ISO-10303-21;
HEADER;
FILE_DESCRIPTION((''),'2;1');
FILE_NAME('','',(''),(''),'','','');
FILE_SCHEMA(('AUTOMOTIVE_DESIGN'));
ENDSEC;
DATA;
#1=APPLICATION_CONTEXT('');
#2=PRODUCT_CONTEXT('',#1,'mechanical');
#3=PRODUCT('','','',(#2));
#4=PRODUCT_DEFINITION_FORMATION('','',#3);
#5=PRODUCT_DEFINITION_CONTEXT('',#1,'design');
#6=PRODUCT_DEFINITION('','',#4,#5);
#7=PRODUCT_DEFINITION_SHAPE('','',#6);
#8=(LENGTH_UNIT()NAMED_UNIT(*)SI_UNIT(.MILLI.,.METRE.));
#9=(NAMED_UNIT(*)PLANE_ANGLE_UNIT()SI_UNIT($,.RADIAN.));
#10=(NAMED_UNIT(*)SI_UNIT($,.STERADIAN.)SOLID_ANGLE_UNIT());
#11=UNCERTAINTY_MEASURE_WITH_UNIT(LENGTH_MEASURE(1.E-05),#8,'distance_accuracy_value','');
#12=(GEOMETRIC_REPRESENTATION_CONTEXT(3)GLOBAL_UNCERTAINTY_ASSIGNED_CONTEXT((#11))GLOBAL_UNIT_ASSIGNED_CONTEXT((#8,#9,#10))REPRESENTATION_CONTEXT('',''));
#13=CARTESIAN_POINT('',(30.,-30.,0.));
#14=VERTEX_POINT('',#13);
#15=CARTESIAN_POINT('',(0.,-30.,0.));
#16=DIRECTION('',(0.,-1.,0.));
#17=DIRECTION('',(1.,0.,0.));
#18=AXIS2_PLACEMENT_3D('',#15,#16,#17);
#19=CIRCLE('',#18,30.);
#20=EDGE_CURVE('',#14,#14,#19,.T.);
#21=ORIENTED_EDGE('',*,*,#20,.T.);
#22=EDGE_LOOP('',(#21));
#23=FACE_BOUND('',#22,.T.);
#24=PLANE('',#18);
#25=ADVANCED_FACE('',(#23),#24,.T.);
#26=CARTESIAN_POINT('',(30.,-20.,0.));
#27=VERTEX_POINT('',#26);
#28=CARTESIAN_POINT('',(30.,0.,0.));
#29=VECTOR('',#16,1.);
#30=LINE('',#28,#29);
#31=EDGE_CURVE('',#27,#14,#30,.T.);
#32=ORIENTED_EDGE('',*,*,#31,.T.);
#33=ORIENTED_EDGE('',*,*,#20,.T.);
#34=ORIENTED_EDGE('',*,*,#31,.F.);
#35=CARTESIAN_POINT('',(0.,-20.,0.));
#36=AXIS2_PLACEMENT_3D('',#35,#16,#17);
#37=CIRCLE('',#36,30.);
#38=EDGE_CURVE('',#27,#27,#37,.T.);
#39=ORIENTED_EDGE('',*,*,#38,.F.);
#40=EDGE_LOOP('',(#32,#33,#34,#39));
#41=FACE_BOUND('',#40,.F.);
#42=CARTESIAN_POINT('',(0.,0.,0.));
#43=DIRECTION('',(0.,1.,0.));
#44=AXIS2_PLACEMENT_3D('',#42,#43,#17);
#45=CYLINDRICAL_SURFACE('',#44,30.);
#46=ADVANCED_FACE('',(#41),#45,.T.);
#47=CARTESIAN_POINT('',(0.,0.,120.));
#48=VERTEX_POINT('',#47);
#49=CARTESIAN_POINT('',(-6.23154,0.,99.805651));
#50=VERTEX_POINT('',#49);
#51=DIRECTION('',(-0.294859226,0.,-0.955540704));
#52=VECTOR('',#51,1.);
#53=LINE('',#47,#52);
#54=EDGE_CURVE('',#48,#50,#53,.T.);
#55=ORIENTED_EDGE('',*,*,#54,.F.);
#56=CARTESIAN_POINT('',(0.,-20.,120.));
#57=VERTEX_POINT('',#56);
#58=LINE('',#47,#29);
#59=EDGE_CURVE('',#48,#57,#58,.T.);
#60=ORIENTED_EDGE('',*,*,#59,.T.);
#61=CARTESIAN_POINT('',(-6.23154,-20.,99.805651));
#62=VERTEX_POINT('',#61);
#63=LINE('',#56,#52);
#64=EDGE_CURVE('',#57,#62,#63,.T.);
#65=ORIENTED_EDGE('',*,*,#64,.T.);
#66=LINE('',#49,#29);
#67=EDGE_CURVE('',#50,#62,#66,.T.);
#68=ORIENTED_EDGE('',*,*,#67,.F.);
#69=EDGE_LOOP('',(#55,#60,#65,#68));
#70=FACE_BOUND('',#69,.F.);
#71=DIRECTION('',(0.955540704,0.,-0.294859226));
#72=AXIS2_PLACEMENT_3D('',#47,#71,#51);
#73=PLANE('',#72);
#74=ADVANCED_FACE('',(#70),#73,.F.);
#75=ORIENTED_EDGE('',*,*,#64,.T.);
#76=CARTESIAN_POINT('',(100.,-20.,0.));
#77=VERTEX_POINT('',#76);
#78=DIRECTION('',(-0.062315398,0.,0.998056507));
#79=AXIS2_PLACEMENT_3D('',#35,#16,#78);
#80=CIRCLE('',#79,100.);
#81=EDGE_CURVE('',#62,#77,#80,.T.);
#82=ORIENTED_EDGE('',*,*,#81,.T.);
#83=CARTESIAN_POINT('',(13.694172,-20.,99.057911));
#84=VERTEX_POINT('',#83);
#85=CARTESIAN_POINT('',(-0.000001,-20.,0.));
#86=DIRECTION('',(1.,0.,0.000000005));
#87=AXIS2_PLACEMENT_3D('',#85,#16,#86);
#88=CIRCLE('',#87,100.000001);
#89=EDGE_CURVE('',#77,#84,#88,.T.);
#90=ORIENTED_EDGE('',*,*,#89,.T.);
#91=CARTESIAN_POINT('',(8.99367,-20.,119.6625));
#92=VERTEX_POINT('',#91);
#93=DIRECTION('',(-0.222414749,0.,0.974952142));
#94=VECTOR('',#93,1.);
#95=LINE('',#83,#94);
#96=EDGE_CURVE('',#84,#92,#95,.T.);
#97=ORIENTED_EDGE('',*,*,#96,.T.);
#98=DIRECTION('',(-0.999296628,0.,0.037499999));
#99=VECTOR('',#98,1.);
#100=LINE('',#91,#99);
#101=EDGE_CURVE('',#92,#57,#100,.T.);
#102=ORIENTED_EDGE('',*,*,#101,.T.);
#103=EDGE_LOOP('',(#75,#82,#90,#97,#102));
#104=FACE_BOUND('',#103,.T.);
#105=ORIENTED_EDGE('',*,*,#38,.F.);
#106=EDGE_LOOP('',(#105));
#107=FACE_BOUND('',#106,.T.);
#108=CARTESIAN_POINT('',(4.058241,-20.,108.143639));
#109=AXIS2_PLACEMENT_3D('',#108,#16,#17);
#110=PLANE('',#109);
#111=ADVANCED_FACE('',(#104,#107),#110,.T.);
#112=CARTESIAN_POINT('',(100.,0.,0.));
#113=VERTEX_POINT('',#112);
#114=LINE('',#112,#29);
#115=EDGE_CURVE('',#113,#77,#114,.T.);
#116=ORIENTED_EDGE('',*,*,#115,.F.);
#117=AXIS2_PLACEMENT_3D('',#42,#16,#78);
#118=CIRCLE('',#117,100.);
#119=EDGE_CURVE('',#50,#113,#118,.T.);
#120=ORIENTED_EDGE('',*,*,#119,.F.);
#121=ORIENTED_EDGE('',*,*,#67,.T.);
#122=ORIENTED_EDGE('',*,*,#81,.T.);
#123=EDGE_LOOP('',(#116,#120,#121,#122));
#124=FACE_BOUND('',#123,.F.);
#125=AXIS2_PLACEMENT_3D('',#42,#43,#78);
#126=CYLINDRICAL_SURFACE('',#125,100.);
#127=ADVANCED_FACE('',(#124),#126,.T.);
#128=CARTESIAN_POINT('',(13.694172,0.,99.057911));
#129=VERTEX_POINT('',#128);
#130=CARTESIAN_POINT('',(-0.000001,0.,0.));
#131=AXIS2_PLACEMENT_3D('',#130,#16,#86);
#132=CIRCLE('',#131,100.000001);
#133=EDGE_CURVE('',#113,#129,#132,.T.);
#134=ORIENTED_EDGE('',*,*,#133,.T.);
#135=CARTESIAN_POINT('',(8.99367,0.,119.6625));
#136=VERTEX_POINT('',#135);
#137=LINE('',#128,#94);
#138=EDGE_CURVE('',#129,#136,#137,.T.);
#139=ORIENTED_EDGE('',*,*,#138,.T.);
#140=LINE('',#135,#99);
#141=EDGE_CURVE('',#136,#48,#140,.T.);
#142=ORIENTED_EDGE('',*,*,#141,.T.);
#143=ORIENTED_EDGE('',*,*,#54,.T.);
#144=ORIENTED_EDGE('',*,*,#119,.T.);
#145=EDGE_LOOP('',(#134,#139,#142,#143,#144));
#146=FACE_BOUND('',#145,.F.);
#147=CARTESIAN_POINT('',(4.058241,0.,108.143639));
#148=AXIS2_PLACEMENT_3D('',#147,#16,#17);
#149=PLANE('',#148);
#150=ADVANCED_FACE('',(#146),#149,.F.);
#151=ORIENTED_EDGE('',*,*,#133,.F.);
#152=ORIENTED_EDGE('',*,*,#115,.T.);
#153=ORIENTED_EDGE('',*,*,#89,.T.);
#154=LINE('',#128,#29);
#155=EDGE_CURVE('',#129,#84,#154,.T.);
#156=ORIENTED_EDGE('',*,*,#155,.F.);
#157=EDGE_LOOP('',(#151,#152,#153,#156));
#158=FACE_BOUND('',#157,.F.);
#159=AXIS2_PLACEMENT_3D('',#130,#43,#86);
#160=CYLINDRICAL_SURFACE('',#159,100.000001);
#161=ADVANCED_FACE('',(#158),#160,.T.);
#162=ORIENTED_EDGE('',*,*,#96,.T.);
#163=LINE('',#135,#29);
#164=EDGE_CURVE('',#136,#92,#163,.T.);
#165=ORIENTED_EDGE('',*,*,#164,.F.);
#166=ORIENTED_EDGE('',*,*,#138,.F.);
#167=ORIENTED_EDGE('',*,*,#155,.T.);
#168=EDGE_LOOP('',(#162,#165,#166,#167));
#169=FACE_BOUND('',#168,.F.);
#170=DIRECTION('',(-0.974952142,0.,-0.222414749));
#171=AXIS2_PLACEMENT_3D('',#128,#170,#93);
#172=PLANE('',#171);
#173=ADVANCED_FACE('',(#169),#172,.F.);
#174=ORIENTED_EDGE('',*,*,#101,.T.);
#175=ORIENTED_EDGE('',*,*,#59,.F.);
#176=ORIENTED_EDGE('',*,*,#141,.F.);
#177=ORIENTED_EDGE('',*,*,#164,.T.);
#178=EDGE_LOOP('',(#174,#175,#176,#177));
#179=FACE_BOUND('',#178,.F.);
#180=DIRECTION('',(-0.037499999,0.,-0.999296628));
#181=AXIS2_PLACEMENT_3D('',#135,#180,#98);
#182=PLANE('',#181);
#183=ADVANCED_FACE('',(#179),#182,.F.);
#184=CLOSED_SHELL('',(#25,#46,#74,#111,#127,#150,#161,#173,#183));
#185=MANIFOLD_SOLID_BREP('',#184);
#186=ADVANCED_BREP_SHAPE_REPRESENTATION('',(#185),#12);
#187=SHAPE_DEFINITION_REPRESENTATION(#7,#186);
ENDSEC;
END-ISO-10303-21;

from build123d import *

# Parameters (mm, degrees)
F0_R     = 30
F1_DEPTH = 30
F2_DEPTH = 20
F3_DEPTH = 20


with BuildPart() as f1:
    # F0 (on Front) → F1 (new body)
    with BuildSketch(Plane.XZ):
        Circle(F0_R)
    extrude(amount=F1_DEPTH)

    # F0 (on Front) → F2 (join)
    with BuildSketch(Plane.XZ):
        with BuildLine():
            ThreePointArc((-6.23154, 99.805651), (-68.47206, -72.880567), (100, 0))
            ThreePointArc((100, 0), (75.397007, 65.690877), (13.694172, 99.057911))
            ThreePointArc((13.694172, 99.057911), (3.75, 99.929663), (-6.23154, 99.805651))
        make_face()
        Circle(F0_R, mode=Mode.SUBTRACT)
    extrude(amount=F2_DEPTH)

    # F0 (on Front) → F3 (join)
    with BuildSketch(Plane.XZ):
        with BuildLine():
            ThreePointArc((-6.23154, 99.805651), (3.75, 99.929663), (13.694172, 99.057911))
            Line((13.694172, 99.057911), (8.99367, 119.6625))
            Line((8.99367, 119.6625), (0, 120))
            Line((0, 120), (-6.23154, 99.805651))
        make_face()
    extrude(amount=F3_DEPTH)


solid = f1.part
